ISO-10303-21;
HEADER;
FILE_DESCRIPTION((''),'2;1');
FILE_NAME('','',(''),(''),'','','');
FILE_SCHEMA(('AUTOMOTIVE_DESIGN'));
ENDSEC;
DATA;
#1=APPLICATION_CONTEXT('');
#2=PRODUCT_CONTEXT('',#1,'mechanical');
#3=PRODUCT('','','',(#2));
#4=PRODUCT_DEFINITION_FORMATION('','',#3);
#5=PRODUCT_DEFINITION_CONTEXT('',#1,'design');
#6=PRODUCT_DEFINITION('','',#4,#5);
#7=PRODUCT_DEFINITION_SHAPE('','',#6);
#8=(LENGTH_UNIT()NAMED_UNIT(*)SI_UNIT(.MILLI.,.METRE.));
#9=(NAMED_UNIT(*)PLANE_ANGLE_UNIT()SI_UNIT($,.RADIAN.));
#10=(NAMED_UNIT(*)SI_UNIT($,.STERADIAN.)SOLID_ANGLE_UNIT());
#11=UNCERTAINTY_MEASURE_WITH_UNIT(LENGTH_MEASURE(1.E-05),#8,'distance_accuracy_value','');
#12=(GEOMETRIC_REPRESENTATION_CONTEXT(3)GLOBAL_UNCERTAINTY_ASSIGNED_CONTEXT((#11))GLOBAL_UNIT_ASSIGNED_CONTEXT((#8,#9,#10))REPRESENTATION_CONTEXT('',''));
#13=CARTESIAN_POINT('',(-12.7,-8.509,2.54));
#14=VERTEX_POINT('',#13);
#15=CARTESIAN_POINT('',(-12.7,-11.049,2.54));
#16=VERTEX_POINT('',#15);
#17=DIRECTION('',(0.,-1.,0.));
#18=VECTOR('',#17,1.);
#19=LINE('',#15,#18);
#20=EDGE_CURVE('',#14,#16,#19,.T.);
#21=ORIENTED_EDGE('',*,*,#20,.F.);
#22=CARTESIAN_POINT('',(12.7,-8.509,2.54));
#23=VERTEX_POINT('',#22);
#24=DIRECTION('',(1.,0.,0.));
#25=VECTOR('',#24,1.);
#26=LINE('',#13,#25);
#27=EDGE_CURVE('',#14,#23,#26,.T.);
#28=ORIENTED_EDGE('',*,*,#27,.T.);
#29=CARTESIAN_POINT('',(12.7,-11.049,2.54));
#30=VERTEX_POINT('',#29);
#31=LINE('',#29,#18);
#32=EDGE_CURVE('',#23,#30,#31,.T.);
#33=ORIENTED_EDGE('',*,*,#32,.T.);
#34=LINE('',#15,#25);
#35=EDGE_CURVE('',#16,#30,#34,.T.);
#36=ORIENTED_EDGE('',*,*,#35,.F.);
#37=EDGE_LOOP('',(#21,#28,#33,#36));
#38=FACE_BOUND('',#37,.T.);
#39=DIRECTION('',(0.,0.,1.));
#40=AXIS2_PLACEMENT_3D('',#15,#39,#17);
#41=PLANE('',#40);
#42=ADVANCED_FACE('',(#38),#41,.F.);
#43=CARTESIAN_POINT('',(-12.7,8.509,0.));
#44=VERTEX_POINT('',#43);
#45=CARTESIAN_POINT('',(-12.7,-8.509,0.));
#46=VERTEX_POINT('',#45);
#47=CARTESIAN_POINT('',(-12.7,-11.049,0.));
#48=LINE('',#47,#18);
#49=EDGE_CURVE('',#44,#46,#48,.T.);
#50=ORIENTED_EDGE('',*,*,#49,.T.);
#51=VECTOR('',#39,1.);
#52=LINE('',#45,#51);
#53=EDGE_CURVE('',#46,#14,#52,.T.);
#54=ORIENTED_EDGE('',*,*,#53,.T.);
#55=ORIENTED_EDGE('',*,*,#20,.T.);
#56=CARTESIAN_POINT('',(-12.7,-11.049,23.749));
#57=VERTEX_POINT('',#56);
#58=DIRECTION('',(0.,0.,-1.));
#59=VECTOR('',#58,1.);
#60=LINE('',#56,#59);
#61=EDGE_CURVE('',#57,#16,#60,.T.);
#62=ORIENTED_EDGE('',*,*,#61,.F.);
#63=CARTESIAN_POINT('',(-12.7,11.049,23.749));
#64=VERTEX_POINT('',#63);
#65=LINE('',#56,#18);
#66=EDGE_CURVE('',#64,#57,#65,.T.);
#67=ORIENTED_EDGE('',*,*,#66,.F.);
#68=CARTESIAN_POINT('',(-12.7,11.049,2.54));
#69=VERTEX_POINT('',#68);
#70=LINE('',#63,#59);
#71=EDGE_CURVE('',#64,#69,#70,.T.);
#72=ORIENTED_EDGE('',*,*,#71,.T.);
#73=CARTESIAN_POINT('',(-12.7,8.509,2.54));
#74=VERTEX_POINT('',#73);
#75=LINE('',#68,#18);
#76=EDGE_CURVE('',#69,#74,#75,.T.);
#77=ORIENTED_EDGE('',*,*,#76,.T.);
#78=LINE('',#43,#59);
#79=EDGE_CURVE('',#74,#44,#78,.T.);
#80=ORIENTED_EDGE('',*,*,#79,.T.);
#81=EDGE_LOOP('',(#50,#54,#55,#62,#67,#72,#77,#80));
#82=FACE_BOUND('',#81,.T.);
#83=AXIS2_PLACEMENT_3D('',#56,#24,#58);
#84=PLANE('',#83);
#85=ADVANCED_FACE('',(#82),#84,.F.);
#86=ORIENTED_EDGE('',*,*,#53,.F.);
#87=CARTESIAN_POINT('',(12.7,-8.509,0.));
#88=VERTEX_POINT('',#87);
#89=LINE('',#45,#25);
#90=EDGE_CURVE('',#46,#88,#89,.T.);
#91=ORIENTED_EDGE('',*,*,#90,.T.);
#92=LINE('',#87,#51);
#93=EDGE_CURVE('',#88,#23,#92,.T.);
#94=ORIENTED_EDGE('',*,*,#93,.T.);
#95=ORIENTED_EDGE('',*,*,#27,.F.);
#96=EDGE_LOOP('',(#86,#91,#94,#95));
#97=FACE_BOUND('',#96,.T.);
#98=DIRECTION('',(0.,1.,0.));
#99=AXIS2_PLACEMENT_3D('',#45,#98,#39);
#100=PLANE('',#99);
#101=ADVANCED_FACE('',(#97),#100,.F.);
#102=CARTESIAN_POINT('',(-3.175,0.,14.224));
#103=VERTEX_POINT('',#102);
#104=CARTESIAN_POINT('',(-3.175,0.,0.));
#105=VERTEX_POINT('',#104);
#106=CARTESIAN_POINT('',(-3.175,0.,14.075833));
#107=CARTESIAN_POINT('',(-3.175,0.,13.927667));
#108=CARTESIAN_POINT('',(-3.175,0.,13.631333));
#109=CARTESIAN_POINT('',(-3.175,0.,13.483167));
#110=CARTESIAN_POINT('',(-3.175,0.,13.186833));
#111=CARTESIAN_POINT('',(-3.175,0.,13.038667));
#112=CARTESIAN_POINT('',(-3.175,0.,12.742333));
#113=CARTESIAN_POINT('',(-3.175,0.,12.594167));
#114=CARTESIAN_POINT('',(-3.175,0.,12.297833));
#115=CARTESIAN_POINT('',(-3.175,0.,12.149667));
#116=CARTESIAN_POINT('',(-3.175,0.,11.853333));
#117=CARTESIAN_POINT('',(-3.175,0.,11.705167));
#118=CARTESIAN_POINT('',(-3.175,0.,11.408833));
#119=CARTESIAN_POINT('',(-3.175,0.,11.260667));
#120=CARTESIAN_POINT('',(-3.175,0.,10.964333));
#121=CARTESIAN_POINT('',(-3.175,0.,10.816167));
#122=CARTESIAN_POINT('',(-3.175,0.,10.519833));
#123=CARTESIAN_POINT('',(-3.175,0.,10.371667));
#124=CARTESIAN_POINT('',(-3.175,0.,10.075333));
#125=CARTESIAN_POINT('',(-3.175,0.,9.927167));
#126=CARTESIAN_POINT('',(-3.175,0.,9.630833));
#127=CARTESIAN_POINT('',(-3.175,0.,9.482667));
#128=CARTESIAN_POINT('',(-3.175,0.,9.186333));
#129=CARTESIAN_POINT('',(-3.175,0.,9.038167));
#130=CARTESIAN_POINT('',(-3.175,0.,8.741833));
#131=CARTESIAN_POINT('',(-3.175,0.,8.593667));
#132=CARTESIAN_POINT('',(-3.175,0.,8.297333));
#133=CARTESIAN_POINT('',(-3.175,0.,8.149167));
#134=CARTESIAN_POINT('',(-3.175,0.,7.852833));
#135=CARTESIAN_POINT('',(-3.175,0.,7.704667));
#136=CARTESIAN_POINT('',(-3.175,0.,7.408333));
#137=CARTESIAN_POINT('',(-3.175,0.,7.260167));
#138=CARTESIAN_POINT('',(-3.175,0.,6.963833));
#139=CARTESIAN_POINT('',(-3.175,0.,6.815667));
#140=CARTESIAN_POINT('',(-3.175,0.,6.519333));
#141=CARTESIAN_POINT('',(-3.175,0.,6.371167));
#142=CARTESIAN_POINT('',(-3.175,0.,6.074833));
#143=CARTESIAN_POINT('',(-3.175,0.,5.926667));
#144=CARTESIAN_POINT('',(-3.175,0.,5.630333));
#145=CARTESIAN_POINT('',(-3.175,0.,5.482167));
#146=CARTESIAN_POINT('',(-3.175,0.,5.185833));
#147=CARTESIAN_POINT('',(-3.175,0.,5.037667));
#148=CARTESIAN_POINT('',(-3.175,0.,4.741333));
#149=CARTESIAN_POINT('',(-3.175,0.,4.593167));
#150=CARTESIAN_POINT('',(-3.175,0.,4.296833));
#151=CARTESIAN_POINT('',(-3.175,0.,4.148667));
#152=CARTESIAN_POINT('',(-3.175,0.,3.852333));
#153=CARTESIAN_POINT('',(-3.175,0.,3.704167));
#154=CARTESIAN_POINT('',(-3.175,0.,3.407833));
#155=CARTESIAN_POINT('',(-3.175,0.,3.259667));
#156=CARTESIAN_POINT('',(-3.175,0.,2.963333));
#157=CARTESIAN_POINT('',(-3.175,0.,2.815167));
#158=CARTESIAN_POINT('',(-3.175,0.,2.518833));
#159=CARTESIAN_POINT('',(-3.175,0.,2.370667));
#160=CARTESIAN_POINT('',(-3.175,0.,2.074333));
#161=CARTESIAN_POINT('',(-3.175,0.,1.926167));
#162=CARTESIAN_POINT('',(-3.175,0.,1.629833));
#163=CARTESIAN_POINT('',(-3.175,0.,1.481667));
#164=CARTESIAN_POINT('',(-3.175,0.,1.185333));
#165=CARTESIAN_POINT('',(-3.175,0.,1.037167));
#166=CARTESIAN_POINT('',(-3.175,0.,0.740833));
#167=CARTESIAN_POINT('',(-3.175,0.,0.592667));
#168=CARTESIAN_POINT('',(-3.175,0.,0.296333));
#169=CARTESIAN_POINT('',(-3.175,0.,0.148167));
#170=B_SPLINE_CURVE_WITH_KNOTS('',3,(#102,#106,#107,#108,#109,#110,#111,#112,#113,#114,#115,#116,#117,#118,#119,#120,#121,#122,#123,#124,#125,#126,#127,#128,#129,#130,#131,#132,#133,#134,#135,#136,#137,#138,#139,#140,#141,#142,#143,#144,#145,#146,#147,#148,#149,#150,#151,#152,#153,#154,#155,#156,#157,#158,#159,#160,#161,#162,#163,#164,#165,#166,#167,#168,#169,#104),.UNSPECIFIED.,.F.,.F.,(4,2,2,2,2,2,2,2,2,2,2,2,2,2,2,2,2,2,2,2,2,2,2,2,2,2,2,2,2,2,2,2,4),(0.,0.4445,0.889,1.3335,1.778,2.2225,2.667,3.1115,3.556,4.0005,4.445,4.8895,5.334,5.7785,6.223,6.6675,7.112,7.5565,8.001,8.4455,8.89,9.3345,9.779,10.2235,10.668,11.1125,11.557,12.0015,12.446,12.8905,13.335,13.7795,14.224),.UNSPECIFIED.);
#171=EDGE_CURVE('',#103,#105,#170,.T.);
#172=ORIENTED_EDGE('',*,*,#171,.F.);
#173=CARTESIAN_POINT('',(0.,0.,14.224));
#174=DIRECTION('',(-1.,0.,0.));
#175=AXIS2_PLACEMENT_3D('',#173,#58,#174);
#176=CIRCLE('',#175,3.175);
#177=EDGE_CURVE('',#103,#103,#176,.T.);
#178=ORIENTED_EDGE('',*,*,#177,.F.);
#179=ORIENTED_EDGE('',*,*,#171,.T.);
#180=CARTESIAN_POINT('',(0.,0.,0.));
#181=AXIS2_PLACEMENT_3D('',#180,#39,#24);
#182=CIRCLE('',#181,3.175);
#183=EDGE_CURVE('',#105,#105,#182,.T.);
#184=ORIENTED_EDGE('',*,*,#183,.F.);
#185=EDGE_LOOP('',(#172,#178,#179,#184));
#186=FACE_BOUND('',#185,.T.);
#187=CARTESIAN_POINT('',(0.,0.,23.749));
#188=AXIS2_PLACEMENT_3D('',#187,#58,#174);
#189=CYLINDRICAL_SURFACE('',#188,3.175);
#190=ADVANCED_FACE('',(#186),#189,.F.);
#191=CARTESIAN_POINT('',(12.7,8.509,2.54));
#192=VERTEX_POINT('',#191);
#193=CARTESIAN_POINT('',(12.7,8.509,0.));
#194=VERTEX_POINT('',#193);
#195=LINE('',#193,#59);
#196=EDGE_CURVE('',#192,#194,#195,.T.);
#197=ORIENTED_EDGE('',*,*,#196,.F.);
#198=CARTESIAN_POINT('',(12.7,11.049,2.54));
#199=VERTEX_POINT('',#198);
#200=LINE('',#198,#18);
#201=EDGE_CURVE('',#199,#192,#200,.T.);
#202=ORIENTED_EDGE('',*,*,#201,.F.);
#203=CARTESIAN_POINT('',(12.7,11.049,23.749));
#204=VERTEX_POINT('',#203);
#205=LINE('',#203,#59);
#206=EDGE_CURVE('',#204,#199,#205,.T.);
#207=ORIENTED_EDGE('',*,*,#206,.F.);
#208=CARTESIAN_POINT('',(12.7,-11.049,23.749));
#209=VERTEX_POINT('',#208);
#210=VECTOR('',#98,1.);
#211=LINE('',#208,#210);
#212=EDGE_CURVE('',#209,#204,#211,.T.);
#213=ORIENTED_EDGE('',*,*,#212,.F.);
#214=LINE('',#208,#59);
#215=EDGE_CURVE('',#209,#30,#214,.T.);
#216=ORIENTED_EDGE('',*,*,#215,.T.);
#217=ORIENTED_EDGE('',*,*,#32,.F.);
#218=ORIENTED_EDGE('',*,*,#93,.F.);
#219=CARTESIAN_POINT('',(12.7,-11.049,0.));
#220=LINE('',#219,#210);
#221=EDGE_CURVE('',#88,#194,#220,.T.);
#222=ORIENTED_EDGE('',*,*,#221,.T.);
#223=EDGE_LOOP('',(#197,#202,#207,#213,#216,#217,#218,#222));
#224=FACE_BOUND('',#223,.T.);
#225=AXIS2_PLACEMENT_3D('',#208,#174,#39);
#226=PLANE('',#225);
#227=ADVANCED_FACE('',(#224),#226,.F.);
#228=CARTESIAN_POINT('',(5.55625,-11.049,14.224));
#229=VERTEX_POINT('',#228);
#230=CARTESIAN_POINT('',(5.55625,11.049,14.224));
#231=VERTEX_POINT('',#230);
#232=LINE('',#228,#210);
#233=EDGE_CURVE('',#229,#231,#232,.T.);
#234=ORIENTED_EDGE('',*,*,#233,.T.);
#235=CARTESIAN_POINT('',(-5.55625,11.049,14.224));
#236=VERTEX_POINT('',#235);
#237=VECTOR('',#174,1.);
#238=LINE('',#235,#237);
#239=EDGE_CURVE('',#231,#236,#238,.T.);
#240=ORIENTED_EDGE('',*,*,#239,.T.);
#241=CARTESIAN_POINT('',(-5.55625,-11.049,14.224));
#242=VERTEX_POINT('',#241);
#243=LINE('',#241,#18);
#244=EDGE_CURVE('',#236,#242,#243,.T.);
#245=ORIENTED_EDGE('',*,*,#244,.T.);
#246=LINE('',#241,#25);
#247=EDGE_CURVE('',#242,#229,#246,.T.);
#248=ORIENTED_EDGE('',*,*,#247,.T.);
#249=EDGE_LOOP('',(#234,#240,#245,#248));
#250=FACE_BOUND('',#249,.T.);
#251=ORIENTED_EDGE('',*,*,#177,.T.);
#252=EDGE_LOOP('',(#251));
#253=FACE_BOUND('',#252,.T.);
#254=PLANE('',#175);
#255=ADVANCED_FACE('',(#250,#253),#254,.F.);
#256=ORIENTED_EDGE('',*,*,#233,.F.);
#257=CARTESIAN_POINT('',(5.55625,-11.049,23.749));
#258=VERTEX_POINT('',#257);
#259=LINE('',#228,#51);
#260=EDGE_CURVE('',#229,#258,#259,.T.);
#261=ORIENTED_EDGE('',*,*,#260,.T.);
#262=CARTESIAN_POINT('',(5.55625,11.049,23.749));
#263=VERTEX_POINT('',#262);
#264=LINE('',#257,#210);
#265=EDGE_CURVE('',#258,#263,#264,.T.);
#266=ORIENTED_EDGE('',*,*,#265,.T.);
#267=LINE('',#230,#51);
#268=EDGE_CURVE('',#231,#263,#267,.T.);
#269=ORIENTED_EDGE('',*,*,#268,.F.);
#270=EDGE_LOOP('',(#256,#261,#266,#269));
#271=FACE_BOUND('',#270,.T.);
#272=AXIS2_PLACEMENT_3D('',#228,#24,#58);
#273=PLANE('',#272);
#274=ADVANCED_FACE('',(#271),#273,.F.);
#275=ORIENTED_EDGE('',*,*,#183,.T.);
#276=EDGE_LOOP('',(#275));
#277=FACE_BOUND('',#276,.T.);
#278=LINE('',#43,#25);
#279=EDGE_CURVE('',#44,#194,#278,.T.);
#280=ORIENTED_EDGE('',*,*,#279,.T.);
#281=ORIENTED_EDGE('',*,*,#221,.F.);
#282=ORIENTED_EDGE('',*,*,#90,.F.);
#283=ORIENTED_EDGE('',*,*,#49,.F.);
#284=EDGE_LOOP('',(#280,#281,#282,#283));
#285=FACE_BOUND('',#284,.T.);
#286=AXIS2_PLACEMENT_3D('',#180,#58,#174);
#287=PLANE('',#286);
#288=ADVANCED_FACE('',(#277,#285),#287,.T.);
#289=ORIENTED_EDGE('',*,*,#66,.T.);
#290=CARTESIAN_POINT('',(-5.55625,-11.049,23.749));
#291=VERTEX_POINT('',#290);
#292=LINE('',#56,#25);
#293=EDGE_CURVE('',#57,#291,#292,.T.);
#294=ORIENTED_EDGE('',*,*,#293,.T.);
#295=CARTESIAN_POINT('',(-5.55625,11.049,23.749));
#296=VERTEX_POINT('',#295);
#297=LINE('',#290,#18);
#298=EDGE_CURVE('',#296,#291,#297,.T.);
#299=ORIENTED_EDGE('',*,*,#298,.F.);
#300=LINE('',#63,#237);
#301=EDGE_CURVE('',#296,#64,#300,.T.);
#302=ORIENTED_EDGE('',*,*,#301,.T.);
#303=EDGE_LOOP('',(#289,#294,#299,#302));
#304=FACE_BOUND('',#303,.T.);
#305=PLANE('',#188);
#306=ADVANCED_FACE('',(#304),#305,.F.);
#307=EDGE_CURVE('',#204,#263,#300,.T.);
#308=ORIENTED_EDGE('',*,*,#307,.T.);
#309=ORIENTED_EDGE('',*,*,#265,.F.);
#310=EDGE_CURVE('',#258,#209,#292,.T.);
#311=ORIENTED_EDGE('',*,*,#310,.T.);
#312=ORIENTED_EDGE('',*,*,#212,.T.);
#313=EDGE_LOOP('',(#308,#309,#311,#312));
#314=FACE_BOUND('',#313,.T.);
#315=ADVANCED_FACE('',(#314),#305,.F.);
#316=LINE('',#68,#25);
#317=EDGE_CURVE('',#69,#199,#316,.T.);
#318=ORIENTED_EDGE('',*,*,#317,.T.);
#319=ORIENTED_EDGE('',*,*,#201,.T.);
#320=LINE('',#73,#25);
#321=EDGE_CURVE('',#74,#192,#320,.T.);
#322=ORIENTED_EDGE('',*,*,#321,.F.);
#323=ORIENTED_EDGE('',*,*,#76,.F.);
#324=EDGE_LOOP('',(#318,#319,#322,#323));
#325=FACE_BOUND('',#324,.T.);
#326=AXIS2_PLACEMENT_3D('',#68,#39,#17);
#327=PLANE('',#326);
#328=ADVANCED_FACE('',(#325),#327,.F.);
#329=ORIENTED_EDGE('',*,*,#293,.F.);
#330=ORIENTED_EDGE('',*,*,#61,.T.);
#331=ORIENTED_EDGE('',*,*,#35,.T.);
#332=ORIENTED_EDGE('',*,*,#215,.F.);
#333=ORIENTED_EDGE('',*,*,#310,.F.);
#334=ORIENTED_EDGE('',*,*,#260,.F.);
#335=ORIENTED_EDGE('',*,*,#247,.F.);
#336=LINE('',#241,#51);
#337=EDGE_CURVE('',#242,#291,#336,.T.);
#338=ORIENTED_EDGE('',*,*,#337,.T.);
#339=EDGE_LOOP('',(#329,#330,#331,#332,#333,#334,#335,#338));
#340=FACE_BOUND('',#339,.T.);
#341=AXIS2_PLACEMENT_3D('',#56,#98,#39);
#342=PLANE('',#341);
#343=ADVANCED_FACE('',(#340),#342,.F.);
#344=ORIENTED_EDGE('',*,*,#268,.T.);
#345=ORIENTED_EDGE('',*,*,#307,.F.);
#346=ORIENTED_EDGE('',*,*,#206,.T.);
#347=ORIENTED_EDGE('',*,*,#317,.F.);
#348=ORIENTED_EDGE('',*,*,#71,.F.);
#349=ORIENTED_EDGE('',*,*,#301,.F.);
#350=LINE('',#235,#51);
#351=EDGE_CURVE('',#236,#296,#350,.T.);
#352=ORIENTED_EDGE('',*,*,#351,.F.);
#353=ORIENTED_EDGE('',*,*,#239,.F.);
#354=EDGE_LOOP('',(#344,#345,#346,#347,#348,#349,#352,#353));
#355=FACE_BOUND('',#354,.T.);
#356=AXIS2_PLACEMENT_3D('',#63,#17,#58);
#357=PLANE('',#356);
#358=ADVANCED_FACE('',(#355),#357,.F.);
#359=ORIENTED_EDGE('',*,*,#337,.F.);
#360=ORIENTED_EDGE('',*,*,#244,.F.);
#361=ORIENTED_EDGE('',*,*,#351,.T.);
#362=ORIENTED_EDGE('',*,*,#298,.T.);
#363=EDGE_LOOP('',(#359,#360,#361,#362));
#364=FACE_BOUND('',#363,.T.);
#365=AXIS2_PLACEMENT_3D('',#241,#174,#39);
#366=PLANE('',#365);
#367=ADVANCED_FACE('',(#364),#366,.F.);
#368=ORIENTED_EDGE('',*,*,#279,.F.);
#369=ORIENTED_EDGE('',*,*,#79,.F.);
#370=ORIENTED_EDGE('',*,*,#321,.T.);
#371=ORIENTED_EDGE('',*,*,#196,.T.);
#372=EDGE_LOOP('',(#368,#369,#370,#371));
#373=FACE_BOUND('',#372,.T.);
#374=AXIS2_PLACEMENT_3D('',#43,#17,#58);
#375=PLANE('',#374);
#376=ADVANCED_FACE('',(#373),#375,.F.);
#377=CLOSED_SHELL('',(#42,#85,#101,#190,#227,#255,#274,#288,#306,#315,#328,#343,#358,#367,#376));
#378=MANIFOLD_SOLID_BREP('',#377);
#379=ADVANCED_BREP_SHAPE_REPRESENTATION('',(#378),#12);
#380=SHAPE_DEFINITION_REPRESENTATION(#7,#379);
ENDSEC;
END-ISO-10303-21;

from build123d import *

# Parameters (mm, degrees)
SKETCH1_W               = 25.4
SKETCH1_H               = 22.098
SKETCH1_R               = 3.175
BOSS_EXTRUDE1_DEPTH     = 23.749
SKETCH2_W               = 11.1125
SKETCH2_H               = 22.098
CUT_EXTRUDE1_DEPTH      = 9.525
CUT_EXTRUDE2_DEPTH      = 30.109884953
CUT_EXTRUDE2_DEPTH_BACK = 30.109884953
SKETCH3_W               = 2.54
SKETCH3_H               = 2.54


with BuildPart() as part:
    # Sketch1 → Boss-Extrude1 (new body)
    with BuildSketch(Plane.XY):
        Rectangle(SKETCH1_W, SKETCH1_H)
        with Locations(Location((0, 0, 0), (0, 0, 180))):
            Circle(SKETCH1_R, mode=Mode.SUBTRACT)
    extrude(amount=BOSS_EXTRUDE1_DEPTH)

    # Sketch2 → Cut-Extrude1 (cut)
    with BuildSketch(Plane.XY.offset(23.749)):
        Rectangle(SKETCH2_W, SKETCH2_H)
    extrude(amount=-CUT_EXTRUDE1_DEPTH, mode=Mode.SUBTRACT)

    # Sketch3 → Cut-Extrude2 (cut, two sides: drawn at the far end of the back side and taken through both)
    with BuildSketch(Plane(origin=(0, 0, 0), x_dir=(0, 0, -1), z_dir=(1, 0, 0)).offset(-CUT_EXTRUDE2_DEPTH_BACK)):
        with Locations((-1.27, 9.779)):
            Rectangle(SKETCH3_W, SKETCH3_H)
        with Locations((-1.27, -9.779)):
            Rectangle(SKETCH3_W, SKETCH3_H)
    extrude(amount=CUT_EXTRUDE2_DEPTH + CUT_EXTRUDE2_DEPTH_BACK, mode=Mode.SUBTRACT)


solid = part.part
